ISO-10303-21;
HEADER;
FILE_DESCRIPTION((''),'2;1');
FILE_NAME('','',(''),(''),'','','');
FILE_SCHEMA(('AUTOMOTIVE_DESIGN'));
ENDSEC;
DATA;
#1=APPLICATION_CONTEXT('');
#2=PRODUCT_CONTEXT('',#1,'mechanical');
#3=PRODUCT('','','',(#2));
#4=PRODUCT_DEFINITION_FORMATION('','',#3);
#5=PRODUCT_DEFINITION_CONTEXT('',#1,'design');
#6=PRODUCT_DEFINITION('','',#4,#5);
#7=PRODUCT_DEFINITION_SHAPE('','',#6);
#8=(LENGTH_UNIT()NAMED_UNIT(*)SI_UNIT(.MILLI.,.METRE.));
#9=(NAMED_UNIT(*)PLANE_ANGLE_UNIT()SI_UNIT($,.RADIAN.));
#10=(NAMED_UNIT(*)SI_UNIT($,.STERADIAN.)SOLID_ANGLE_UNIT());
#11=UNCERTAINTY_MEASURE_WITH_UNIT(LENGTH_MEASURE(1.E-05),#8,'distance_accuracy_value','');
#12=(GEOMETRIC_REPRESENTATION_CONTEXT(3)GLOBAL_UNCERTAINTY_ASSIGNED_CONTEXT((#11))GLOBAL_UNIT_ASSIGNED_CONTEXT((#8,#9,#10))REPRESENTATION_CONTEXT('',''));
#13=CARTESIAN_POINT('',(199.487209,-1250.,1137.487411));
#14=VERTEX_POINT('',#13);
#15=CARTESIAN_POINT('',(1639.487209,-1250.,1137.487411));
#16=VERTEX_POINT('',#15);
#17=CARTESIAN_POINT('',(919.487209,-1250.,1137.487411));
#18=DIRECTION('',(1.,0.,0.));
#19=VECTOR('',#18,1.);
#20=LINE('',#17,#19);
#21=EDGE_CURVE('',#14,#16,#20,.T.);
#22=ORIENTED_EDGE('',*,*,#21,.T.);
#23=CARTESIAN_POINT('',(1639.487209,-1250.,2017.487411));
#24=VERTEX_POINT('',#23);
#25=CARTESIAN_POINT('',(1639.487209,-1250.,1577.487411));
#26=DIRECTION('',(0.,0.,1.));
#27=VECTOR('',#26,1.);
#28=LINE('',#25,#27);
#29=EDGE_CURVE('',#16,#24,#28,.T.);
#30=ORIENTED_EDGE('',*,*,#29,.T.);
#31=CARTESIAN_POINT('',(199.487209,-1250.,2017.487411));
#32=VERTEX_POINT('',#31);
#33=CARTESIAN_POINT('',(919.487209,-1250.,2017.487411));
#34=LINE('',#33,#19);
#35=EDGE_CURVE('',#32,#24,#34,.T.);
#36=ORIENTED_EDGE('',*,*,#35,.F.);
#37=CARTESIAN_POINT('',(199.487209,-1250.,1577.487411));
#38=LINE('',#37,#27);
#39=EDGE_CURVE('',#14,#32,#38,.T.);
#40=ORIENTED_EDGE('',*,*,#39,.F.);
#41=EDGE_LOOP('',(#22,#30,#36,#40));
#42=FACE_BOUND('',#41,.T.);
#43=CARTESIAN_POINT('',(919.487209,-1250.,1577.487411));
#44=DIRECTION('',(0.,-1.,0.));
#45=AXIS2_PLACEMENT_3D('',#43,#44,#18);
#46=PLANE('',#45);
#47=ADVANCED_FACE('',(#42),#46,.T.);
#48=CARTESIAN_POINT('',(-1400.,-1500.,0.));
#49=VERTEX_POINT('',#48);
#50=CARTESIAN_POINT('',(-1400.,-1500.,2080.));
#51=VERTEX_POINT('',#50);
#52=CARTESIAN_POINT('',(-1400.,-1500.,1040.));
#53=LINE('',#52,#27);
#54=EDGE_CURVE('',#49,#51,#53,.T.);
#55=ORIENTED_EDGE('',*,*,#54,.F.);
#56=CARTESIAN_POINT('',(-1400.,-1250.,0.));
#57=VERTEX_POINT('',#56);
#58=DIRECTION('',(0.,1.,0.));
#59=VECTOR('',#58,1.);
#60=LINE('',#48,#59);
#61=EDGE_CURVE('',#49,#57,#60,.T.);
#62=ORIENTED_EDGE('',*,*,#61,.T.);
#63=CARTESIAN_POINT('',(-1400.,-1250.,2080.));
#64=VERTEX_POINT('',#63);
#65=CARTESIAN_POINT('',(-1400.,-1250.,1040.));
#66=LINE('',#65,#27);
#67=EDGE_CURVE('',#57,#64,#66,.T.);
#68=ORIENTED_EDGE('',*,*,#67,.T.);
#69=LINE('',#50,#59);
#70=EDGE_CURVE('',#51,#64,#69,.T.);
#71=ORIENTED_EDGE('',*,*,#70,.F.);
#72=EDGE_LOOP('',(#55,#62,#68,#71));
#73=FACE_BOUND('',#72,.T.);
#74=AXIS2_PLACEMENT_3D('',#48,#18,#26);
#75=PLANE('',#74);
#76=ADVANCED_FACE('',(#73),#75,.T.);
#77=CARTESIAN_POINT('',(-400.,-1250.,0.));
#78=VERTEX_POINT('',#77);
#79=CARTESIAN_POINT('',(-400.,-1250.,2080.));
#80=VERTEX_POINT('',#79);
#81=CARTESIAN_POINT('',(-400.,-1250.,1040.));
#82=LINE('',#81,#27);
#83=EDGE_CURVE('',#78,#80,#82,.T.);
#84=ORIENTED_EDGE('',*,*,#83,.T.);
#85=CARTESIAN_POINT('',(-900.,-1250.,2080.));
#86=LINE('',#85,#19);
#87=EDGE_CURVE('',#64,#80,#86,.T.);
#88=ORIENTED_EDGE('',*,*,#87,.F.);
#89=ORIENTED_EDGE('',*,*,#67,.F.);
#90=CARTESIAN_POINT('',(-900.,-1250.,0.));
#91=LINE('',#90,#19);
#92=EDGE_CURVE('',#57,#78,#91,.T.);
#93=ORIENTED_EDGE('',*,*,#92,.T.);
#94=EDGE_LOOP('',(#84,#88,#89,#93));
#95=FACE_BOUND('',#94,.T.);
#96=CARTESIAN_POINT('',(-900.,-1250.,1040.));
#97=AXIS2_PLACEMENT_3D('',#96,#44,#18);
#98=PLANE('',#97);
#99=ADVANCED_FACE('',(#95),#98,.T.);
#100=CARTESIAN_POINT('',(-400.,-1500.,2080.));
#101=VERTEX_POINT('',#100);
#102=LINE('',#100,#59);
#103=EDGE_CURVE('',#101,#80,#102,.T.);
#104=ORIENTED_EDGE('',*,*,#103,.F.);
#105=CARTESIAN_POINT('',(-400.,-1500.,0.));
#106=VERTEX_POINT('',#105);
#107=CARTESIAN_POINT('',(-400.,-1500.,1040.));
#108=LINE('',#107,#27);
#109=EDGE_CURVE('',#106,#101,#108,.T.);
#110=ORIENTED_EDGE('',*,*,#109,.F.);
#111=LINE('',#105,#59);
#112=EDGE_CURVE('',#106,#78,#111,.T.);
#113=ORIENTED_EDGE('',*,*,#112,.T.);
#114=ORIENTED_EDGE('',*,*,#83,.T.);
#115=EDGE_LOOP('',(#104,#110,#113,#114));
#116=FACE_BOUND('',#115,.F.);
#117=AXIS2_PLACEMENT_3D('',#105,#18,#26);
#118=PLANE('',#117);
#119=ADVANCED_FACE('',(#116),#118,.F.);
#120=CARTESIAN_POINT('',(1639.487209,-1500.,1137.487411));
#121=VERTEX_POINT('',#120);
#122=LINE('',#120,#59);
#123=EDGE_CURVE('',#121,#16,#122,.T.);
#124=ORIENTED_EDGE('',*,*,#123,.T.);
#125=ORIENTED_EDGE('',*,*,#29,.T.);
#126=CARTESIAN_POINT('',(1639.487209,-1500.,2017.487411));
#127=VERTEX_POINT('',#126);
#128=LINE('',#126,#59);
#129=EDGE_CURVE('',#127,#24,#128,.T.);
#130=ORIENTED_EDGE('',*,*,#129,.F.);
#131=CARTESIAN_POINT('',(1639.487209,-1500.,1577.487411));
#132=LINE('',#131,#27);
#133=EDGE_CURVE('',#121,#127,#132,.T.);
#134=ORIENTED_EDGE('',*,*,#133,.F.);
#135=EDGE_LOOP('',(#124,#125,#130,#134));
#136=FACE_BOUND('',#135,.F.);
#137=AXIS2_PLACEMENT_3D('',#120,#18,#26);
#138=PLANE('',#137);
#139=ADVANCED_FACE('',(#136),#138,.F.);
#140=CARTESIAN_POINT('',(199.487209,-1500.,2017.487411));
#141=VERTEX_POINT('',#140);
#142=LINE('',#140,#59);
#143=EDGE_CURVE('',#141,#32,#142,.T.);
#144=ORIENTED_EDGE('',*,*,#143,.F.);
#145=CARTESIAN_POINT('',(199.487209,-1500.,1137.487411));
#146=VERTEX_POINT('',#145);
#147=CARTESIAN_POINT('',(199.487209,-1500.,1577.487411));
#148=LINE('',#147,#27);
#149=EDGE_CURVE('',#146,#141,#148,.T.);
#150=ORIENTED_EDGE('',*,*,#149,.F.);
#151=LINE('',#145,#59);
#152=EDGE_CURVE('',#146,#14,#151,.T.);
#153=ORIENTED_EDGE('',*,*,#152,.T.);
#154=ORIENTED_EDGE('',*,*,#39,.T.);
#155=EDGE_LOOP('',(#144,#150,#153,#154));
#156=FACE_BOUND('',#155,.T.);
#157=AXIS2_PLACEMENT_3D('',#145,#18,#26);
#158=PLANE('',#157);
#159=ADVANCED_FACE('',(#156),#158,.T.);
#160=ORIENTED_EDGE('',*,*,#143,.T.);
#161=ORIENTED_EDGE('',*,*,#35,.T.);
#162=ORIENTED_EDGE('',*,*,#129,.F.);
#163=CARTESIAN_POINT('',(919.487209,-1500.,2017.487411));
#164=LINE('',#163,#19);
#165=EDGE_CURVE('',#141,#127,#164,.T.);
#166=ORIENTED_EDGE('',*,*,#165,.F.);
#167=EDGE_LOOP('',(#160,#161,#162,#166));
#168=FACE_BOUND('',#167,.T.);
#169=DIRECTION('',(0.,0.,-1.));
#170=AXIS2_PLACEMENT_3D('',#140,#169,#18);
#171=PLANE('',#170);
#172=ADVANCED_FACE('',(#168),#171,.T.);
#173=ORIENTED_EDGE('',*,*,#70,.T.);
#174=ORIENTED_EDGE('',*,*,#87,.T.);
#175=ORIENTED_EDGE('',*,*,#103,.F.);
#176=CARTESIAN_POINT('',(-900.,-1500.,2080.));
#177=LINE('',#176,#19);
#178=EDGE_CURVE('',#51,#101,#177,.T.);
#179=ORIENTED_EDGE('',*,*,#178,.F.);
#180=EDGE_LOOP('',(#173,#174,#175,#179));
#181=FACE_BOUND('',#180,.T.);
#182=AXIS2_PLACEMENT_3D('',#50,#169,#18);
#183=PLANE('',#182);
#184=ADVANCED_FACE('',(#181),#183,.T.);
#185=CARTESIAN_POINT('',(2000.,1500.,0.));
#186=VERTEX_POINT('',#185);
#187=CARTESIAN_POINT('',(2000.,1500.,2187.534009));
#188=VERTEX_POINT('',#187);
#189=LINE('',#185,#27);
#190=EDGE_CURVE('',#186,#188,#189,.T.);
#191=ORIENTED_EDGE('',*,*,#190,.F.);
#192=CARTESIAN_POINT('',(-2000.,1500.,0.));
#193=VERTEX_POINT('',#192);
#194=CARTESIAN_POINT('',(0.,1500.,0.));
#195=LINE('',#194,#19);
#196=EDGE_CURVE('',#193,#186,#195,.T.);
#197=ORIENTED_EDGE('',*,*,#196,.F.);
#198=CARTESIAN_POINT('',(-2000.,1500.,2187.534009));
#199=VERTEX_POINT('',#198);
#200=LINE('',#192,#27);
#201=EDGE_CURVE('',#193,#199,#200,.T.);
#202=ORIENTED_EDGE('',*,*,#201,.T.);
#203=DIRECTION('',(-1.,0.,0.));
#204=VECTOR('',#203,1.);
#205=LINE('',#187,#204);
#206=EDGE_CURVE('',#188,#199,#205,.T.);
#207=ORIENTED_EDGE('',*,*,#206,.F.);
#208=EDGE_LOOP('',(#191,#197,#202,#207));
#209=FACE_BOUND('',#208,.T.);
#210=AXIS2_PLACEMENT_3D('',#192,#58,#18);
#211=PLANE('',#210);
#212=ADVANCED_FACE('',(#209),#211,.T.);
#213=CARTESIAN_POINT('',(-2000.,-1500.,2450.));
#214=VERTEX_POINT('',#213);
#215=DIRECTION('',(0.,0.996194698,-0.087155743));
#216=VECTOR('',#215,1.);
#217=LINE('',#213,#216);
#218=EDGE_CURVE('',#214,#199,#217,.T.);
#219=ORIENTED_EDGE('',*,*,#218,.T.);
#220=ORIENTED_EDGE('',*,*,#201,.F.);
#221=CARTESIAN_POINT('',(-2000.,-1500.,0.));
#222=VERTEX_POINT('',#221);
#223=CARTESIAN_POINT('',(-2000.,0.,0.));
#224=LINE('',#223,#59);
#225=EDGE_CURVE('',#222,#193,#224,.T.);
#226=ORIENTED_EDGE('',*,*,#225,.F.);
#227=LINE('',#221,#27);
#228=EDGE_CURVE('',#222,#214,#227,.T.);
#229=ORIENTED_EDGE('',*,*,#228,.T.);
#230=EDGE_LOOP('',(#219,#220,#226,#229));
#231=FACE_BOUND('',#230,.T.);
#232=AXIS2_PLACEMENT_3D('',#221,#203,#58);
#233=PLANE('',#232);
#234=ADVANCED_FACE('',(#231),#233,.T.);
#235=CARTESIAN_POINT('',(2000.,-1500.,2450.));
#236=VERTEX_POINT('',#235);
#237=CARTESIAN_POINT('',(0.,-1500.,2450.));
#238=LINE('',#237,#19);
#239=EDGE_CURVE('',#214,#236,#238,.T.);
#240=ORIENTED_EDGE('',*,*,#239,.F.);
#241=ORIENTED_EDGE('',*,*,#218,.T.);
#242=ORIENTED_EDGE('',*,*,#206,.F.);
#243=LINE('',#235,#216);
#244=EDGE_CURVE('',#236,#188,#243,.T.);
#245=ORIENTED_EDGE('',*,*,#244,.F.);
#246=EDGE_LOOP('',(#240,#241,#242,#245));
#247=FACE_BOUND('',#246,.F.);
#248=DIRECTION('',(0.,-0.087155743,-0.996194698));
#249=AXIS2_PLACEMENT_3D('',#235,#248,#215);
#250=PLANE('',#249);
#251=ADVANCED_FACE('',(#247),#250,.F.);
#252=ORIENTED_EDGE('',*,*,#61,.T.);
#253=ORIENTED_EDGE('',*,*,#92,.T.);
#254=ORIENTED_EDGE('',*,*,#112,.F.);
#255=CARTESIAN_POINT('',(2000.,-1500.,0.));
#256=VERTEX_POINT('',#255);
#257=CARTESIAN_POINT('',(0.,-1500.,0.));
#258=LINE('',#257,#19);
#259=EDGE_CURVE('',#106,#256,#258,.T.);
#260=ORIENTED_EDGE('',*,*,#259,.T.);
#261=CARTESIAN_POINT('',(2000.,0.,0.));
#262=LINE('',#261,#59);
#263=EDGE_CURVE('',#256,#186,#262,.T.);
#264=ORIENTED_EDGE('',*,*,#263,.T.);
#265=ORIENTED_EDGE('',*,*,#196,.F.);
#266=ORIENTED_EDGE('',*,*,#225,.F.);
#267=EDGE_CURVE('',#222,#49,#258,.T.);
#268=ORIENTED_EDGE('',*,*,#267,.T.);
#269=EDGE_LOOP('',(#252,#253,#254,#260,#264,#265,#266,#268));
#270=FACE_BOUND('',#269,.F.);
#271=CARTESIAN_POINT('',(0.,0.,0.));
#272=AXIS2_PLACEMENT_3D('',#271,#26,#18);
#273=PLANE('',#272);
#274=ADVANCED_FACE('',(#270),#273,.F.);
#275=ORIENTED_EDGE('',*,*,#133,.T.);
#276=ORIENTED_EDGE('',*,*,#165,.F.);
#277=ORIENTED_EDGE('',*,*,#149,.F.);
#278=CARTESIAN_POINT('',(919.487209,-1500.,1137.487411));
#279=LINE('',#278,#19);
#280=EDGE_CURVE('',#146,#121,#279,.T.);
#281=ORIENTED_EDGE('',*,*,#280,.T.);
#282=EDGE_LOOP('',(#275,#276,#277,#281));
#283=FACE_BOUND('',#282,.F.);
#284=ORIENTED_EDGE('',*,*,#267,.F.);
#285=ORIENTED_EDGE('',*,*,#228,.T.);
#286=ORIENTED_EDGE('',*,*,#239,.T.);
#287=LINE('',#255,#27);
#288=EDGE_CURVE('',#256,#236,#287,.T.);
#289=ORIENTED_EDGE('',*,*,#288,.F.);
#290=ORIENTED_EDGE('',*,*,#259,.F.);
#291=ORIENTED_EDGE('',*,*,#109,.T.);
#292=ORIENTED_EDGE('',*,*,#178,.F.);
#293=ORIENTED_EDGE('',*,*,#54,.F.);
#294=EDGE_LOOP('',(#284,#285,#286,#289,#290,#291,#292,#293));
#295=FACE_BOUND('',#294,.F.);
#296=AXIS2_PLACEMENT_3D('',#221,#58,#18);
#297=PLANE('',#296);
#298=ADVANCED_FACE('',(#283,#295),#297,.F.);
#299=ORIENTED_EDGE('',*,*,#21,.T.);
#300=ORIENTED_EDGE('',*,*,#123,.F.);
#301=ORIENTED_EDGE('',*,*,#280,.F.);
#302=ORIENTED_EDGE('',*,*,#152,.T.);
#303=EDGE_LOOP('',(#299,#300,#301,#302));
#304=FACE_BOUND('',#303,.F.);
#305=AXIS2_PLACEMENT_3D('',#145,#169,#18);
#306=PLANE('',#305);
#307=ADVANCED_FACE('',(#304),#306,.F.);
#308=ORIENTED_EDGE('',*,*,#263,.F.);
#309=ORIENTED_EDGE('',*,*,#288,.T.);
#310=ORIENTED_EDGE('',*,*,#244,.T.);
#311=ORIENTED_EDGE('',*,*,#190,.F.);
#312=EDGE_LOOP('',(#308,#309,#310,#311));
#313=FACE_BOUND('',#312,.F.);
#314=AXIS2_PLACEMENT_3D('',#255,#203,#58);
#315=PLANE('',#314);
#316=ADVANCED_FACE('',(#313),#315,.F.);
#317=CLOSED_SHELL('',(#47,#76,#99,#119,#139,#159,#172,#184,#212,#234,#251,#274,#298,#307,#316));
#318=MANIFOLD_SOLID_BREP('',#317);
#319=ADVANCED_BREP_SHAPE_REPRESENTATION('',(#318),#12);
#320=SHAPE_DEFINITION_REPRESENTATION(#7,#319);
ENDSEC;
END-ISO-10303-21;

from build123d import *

# Parameters (mm, degrees)
F0_W     = 4000
F0_H     = 3000
F1_DEPTH = 2450
F3_DEPTH = 4000
F4_W     = 1440
F4_H     = 880
F4_W_2   = 1000
F4_H_2   = 2080
F5_DEPTH = 250


with BuildPart() as f1:
    # F0 (on Top) → F1 (new body)
    with BuildSketch(Plane.XY):
        Rectangle(F0_W, F0_H)
    extrude(amount=F1_DEPTH)

    # F2 (on face) → F3 (cut)
    with BuildSketch(Plane.YZ.offset(2000)):
        Polygon((1500, 2450), (-1500, 2450), (1500, 2187.534009), align=None)
    extrude(amount=-F3_DEPTH, mode=Mode.SUBTRACT)

    # F4 (on face) → F5 (cut)
    with BuildSketch(Plane.XZ.offset(1500)):
        with Locations((919.487209, 1577.487411)):
            Rectangle(F4_W, F4_H)
        with Locations((-900, 1040)):
            Rectangle(F4_W_2, F4_H_2)
    extrude(amount=-F5_DEPTH, mode=Mode.SUBTRACT)


solid = f1.part
